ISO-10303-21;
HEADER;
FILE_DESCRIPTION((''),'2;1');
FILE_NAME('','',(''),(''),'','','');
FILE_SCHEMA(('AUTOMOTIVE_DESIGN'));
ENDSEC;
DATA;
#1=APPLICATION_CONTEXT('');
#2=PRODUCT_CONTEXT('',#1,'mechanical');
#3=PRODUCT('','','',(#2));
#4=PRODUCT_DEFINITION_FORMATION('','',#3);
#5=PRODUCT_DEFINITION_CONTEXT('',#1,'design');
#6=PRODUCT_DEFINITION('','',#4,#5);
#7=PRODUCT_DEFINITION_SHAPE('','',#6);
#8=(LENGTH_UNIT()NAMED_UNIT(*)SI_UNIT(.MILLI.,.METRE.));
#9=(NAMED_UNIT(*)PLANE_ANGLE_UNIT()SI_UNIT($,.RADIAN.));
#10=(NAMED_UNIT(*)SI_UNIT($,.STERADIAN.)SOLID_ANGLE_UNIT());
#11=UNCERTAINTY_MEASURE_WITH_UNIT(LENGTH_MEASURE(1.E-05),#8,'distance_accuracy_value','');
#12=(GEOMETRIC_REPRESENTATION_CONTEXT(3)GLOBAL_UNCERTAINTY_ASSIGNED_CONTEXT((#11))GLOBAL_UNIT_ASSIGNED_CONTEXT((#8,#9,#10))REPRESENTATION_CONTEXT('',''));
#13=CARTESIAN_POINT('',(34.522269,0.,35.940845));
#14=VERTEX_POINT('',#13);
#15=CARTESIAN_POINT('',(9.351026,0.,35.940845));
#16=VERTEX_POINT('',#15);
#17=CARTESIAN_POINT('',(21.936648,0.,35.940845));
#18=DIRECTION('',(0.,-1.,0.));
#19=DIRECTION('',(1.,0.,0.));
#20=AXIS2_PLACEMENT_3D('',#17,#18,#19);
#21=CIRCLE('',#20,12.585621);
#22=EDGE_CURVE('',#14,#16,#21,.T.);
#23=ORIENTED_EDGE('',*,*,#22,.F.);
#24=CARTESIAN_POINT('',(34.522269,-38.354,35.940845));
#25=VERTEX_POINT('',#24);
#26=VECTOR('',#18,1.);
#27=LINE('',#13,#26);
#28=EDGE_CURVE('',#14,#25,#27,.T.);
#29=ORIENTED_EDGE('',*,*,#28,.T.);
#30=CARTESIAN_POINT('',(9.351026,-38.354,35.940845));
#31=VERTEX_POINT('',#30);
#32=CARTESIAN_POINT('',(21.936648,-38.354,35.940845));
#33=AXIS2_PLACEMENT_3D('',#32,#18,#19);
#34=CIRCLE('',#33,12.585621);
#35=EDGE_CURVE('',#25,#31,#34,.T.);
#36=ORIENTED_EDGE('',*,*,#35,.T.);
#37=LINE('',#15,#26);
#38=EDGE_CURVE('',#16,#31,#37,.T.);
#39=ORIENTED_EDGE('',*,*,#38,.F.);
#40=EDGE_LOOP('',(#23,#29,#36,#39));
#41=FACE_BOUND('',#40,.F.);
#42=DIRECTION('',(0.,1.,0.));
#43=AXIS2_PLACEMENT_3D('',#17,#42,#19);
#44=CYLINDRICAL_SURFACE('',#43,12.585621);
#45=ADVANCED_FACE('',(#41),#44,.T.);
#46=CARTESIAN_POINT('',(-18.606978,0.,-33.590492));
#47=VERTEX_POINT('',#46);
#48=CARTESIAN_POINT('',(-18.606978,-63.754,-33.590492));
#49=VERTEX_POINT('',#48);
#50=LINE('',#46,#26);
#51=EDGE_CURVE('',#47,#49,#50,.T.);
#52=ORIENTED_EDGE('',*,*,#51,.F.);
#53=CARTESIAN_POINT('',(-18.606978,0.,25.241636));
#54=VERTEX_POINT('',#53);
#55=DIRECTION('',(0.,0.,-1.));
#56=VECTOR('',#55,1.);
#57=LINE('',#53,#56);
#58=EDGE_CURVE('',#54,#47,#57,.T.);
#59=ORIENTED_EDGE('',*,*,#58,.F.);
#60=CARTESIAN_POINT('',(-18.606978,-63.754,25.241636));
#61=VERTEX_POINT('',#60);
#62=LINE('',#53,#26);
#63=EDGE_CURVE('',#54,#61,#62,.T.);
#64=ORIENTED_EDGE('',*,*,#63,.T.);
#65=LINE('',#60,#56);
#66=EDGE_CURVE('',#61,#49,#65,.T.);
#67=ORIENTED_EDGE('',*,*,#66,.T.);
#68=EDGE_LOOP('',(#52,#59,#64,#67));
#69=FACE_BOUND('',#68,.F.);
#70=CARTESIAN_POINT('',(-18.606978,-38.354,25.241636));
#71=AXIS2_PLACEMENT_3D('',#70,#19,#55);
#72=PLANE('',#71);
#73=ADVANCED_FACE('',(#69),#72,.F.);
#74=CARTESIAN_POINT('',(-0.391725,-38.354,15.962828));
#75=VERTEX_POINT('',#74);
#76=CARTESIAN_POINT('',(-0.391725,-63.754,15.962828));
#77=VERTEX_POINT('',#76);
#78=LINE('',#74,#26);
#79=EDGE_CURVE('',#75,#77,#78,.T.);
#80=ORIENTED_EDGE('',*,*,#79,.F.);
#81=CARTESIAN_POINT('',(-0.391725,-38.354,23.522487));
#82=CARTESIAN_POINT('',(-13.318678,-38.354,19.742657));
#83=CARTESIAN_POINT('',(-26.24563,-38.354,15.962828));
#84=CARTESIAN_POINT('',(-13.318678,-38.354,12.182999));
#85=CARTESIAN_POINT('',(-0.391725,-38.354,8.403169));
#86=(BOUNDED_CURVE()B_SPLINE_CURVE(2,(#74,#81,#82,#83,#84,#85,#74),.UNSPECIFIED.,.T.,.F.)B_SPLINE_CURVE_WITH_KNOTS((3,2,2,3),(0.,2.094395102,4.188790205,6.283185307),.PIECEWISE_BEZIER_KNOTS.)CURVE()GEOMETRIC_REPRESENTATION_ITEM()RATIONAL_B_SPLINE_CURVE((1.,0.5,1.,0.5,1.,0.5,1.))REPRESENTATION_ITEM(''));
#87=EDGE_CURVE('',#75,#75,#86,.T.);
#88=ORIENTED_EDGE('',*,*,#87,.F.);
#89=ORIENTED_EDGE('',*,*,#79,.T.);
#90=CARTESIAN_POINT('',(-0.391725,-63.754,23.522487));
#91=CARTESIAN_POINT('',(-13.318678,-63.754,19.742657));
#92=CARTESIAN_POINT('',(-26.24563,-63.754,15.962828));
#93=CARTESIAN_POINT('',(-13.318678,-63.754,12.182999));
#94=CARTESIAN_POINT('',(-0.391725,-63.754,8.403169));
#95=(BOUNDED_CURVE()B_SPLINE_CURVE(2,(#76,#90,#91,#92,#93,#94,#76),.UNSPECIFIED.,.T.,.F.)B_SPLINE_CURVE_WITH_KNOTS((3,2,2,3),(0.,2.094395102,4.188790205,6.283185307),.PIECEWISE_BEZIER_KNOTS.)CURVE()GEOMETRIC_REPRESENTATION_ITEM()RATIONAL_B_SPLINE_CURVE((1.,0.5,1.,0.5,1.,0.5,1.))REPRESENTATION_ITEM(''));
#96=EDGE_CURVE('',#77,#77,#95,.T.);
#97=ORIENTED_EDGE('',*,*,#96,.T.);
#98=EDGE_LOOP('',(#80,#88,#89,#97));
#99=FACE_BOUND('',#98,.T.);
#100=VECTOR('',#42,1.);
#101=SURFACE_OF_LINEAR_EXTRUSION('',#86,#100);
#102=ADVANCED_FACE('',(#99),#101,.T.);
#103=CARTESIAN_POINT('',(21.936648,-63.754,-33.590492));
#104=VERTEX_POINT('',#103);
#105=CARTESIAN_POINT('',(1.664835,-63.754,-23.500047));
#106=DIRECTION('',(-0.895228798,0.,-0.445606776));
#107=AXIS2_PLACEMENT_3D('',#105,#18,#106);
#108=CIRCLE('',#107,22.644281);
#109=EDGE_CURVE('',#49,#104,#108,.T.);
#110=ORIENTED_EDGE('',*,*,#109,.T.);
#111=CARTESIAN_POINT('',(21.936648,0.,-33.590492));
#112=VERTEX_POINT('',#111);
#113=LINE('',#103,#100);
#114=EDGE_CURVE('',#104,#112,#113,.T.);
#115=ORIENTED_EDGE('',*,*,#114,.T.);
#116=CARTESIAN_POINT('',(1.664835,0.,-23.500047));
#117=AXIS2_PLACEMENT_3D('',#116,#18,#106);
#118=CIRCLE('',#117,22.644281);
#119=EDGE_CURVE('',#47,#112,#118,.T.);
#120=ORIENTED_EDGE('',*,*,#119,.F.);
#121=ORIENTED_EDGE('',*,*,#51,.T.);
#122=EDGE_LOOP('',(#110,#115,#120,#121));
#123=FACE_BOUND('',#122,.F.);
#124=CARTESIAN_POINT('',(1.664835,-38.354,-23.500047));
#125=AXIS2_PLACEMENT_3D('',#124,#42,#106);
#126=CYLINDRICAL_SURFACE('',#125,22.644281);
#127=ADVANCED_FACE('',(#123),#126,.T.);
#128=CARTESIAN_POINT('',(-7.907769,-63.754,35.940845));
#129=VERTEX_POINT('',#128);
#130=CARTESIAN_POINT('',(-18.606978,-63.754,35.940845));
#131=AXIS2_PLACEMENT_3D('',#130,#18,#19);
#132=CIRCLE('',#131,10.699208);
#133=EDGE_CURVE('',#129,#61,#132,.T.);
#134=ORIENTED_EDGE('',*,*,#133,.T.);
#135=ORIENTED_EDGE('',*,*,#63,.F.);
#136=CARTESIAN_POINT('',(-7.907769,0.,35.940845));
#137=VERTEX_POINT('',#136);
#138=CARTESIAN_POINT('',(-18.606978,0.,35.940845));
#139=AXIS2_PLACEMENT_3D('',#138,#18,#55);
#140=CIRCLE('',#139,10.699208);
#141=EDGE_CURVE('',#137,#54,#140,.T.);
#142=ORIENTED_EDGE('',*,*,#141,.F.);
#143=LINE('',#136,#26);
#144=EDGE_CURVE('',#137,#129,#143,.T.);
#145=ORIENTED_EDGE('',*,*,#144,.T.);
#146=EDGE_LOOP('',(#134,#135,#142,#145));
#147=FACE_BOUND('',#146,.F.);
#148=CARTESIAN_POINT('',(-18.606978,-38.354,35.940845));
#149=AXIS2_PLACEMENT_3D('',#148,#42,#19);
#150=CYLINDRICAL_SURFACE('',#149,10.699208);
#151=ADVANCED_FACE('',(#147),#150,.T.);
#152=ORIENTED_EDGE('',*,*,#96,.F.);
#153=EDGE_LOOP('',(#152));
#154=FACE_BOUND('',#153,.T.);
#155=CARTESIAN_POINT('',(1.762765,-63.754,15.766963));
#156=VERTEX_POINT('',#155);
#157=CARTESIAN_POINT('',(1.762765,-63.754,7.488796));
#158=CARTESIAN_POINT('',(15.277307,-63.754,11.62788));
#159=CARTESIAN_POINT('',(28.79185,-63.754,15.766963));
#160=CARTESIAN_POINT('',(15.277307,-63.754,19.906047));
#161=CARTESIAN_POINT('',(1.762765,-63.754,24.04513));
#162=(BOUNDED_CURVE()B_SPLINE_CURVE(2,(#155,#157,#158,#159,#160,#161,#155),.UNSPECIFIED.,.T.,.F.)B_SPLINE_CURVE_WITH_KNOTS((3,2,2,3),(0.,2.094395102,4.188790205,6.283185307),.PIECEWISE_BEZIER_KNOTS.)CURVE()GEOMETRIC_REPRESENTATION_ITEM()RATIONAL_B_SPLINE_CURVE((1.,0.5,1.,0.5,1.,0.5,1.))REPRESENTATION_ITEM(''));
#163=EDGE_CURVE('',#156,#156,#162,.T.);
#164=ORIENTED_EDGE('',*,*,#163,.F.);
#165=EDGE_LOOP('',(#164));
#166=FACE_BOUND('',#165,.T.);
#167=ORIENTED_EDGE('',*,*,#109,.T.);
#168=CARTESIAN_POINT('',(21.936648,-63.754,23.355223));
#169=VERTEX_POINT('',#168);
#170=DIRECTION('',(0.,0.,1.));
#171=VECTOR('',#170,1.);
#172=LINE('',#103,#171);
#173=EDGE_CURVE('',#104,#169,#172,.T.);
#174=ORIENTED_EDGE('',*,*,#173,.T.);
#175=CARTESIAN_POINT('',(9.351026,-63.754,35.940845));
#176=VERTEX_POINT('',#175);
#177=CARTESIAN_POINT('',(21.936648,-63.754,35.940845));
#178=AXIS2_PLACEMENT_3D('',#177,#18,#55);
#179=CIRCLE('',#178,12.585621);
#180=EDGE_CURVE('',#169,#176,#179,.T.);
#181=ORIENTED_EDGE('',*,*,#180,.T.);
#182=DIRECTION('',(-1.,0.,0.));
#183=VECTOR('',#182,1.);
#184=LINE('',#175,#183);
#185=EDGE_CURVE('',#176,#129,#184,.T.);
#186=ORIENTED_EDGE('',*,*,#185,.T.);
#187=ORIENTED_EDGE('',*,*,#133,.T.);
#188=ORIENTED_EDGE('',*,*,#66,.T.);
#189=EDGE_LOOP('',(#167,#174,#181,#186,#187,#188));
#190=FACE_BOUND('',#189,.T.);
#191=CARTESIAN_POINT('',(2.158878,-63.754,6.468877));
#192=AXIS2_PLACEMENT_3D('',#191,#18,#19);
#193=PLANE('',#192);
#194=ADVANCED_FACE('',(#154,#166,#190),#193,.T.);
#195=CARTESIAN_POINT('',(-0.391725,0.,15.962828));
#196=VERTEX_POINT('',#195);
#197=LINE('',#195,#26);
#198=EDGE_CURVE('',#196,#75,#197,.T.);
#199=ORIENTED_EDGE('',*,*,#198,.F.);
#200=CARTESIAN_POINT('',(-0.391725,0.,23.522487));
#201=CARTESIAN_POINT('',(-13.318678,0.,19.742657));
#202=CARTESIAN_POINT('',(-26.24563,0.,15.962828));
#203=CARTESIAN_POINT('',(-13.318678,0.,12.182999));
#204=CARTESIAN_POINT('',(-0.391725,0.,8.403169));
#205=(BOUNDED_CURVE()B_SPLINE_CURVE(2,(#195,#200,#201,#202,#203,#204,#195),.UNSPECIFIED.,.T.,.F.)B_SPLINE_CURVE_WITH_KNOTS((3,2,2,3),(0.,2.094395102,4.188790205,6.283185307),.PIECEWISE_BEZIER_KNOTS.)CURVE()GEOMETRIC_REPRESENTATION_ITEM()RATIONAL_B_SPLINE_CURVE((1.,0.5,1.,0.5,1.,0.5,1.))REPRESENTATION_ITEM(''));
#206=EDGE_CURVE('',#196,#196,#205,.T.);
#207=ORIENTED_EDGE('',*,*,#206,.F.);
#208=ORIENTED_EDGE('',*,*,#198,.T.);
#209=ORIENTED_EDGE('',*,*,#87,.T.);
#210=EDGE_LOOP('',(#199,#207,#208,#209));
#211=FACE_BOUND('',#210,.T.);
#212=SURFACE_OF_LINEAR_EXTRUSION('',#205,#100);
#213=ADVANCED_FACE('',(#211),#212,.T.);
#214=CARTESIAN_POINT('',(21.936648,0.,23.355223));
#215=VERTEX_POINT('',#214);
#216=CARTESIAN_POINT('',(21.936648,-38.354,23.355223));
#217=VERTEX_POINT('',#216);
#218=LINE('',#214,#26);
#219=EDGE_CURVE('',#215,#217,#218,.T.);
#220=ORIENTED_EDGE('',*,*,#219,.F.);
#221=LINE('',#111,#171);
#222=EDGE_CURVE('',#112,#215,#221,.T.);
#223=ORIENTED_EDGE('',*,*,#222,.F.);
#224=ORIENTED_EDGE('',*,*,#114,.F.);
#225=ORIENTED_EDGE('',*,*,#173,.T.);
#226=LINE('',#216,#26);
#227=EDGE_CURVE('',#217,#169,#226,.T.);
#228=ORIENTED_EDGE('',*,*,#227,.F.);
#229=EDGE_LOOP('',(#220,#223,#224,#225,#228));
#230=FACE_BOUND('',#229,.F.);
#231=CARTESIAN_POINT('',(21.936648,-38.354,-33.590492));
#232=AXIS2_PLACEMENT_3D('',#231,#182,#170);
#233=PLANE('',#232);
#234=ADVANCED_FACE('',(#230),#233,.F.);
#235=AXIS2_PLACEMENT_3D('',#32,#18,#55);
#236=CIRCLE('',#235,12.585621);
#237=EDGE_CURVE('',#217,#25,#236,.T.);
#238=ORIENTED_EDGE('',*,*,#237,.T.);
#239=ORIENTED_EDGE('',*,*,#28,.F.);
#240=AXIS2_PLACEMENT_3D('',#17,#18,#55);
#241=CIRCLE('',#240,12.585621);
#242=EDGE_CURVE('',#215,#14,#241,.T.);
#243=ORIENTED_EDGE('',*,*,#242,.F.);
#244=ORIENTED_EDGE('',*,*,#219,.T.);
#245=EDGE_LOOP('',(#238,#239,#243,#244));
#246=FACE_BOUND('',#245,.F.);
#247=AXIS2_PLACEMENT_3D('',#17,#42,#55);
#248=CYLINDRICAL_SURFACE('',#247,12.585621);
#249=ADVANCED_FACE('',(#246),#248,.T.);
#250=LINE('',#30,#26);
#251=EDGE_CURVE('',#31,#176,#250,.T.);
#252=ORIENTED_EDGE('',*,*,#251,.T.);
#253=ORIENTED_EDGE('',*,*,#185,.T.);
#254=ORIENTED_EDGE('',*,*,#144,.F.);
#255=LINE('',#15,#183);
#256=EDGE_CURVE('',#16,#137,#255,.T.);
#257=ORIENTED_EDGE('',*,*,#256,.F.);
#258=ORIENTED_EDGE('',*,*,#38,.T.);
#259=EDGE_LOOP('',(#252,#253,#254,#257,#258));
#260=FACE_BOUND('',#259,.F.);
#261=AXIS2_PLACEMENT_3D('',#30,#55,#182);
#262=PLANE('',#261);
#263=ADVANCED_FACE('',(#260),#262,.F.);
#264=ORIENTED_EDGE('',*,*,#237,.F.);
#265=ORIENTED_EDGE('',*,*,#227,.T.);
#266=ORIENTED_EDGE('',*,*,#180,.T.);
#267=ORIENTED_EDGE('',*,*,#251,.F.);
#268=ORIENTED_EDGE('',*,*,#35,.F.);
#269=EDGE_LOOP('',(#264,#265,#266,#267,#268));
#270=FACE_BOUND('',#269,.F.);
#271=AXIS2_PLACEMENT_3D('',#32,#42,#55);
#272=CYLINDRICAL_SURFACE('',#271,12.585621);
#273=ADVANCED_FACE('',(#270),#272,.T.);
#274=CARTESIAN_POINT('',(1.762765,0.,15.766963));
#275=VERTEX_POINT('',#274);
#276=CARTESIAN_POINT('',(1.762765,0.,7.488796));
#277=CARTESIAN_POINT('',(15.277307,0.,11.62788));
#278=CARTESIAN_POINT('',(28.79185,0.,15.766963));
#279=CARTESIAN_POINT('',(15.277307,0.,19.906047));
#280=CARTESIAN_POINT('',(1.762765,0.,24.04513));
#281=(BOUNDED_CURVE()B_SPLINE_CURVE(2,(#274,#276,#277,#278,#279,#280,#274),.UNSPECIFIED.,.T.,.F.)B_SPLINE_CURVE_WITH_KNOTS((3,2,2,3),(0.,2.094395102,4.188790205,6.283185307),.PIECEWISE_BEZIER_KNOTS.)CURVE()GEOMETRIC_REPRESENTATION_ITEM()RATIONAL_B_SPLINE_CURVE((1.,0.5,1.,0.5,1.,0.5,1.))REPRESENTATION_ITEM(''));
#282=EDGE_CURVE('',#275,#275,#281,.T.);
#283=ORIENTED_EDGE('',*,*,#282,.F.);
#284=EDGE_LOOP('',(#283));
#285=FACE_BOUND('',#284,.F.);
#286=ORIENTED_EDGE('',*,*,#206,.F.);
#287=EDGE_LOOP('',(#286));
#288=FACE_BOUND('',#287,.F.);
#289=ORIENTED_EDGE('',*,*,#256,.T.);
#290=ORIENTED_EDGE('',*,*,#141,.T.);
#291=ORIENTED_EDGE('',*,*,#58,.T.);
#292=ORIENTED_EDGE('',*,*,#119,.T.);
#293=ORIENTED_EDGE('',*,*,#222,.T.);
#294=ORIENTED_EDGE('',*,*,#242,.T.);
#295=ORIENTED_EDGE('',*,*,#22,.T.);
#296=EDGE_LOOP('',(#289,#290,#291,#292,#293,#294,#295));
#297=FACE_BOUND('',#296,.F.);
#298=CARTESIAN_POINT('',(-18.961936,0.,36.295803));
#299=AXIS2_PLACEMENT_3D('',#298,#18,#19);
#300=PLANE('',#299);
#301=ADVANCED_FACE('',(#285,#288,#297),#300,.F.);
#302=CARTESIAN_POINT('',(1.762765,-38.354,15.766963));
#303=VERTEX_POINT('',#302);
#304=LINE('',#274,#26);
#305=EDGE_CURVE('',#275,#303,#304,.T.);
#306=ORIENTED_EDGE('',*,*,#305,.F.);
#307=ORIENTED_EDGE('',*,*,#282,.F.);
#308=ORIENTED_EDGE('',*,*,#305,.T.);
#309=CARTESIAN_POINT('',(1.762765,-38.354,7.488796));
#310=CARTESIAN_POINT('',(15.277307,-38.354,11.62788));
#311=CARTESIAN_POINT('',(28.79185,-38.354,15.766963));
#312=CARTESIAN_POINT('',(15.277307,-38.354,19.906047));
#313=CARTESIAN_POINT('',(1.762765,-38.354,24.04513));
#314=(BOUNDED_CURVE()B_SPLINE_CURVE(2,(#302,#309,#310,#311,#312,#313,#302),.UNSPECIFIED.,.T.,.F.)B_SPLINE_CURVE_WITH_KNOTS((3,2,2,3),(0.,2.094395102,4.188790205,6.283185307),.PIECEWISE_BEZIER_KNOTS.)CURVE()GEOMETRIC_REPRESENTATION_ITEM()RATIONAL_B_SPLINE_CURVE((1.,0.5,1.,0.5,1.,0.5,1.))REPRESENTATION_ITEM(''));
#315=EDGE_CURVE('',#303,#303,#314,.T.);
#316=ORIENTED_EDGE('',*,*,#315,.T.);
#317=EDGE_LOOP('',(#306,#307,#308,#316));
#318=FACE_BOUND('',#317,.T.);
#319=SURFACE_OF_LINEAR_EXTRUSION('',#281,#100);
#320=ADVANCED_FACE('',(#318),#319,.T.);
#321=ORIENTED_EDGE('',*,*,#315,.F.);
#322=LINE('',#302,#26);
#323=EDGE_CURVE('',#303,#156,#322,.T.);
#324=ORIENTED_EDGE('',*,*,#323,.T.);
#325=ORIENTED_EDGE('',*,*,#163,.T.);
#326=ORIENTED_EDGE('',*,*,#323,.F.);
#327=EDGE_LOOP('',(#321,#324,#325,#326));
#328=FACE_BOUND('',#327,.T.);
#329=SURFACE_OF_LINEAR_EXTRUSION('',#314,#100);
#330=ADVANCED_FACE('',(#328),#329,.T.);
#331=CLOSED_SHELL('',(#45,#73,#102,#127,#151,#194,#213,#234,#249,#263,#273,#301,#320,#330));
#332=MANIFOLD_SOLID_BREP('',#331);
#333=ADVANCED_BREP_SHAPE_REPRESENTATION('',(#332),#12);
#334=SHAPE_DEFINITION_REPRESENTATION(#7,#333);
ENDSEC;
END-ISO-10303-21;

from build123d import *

# Parameters (mm, degrees)
F1_DEPTH = 38.354
F3_DEPTH = 25.4


with BuildPart() as f1:
    # F0 (on Front) → F1 (new body)
    with BuildSketch(Plane.XZ):
        with BuildLine():
            Line((-18.6069775373, 25.2416362296), (-18.6069775373, 35.9408445656))
            Line((-18.6069775373, 35.9408445656), (-7.9077692012, 35.9408445656))
            ThreePointArc((-7.9077692012, 35.9408445656), (-26.172460305, 43.5063273334), (-18.6069775373, 25.2416362296))
        make_face()
        with BuildLine():
            Line((-7.9077692012, 35.9408445656), (-18.6069775373, 35.9408445656))
            Line((-18.6069775373, 35.9408445656), (-18.6069775373, 25.2416362296))
            ThreePointArc((-18.6069775373, 25.2416362296), (-11.0414947695, 28.3753617979), (-7.9077692012, 35.9408445656))
        make_face()
        with BuildLine():
            Line((9.3510261745, 35.9408445656), (-7.9077692012, 35.9408445656))
            ThreePointArc((-7.9077692012, 35.9408445656), (-11.0414947695, 28.3753617979), (-18.6069775373, 25.2416362296))
            Line((-18.6069775373, 25.2416362296), (-18.6069775373, -33.5904918611))
            Line((-18.6069775373, -33.5904918611), (21.936647594, -33.5904918611))
            Line((21.936647594, -33.5904918611), (21.936647594, 23.3552231462))
            ThreePointArc((21.936647594, 23.3552231462), (13.0372693428, 27.0414663145), (9.3510261745, 35.9408445656))
        make_face()
        with BuildLine():
            add(Edge.make_bspline(
                [(-0.3917254508, 15.9628279507), (-0.3917254508, 23.5224868497), (-13.3186778985, 19.7426574002), (-26.2456303462, 15.9628279507), (-13.3186778985, 12.1829985012), (-0.3917254508, 8.4031690518), (-0.3917254508, 15.9628279507)],
                knots=[0, 0, 0, 2.0943951024, 2.0943951024, 4.1887902048, 4.1887902048, 6.2831853072, 6.2831853072, 6.2831853072], degree=2, weights=[1, 0.5, 1, 0.5, 1, 0.5, 1]))
        make_face(mode=Mode.SUBTRACT)
        with BuildLine():
            add(Edge.make_bspline(
                [(1.7627654597, 15.7669633627), (1.7627654597, 7.4887963643), (15.2773074806, 11.6278798635), (28.7918495014, 15.7669633627), (15.2773074806, 19.9060468619), (1.7627654597, 24.0451303611), (1.7627654597, 15.7669633627)],
                knots=[0, 0, 0, 2.0943951024, 2.0943951024, 4.1887902048, 4.1887902048, 6.2831853072, 6.2831853072, 6.2831853072], degree=2, weights=[1, 0.5, 1, 0.5, 1, 0.5, 1]))
        make_face(mode=Mode.SUBTRACT)
        with BuildLine():
            ThreePointArc((34.5222690135, 35.9408445656), (21.936647594, 48.5264659851), (9.3510261745, 35.9408445656))
            Line((9.3510261745, 35.9408445656), (21.936647594, 35.9408445656))
            Line((21.936647594, 35.9408445656), (21.936647594, 23.3552231462))
            ThreePointArc((21.936647594, 23.3552231462), (30.8360258451, 27.0414663145), (34.5222690135, 35.9408445656))
        make_face()
        with BuildLine():
            Line((21.936647594, 35.9408445656), (9.3510261745, 35.9408445656))
            ThreePointArc((9.3510261745, 35.9408445656), (13.0372693428, 27.0414663145), (21.936647594, 23.3552231462))
            Line((21.936647594, 23.3552231462), (21.936647594, 35.9408445656))
        make_face()
        with BuildLine():
            ThreePointArc((21.936647594, -33.5904918611), (1.6648350284, -37.9458384441), (-18.6069775373, -33.5904918611))
            ThreePointArc((-18.6069775373, -33.5904918611), (1.6648350284, -46.1443278673), (21.936647594, -33.5904918611))
        make_face()
        with BuildLine():
            Line((21.936647594, -33.5904918611), (-18.6069775373, -33.5904918611))
            ThreePointArc((-18.6069775373, -33.5904918611), (1.6648350284, -37.9458384441), (21.936647594, -33.5904918611))
        make_face()
    extrude(amount=F1_DEPTH)

    # F2 (on face) → F3 (join)
    with BuildSketch(Plane.XZ.offset(38.354)):
        with BuildLine():
            Line((9.3510261745, 35.9408445656), (-7.9077692012, 35.9408445656))
            ThreePointArc((-7.9077692012, 35.9408445656), (-26.172460305, 43.5063273334), (-18.6069775373, 25.2416362296))
            Line((-18.6069775373, 25.2416362296), (-18.6069775373, -33.5904918611))
            ThreePointArc((-18.6069775373, -33.5904918611), (1.6648350284, -46.1443278673), (21.936647594, -33.5904918611))
            Line((21.936647594, -33.5904918611), (21.936647594, 23.3552231462))
            ThreePointArc((21.936647594, 23.3552231462), (30.8360258451, 44.8402228168), (9.3510261745, 35.9408445656))
        make_face()
        with BuildLine():
            add(Edge.make_bspline(
                [(-0.3917254508, 15.9628279507), (-0.3917254508, 23.5224868497), (-13.3186778985, 19.7426574002), (-26.2456303462, 15.9628279507), (-13.3186778985, 12.1829985012), (-0.3917254508, 8.4031690518), (-0.3917254508, 15.9628279507)],
                knots=[0, 0, 0, 2.0943951024, 2.0943951024, 4.1887902048, 4.1887902048, 6.2831853072, 6.2831853072, 6.2831853072], degree=2, weights=[1, 0.5, 1, 0.5, 1, 0.5, 1]))
        make_face(mode=Mode.SUBTRACT)
        with BuildLine():
            add(Edge.make_bspline(
                [(1.7627654597, 15.7669633627), (1.7627654597, 7.4887963643), (15.2773074806, 11.6278798635), (28.7918495014, 15.7669633627), (15.2773074806, 19.9060468619), (1.7627654597, 24.0451303611), (1.7627654597, 15.7669633627)],
                knots=[0, 0, 0, 2.0943951024, 2.0943951024, 4.1887902048, 4.1887902048, 6.2831853072, 6.2831853072, 6.2831853072], degree=2, weights=[1, 0.5, 1, 0.5, 1, 0.5, 1]))
        make_face(mode=Mode.SUBTRACT)
    extrude(amount=F3_DEPTH)


solid = f1.part
